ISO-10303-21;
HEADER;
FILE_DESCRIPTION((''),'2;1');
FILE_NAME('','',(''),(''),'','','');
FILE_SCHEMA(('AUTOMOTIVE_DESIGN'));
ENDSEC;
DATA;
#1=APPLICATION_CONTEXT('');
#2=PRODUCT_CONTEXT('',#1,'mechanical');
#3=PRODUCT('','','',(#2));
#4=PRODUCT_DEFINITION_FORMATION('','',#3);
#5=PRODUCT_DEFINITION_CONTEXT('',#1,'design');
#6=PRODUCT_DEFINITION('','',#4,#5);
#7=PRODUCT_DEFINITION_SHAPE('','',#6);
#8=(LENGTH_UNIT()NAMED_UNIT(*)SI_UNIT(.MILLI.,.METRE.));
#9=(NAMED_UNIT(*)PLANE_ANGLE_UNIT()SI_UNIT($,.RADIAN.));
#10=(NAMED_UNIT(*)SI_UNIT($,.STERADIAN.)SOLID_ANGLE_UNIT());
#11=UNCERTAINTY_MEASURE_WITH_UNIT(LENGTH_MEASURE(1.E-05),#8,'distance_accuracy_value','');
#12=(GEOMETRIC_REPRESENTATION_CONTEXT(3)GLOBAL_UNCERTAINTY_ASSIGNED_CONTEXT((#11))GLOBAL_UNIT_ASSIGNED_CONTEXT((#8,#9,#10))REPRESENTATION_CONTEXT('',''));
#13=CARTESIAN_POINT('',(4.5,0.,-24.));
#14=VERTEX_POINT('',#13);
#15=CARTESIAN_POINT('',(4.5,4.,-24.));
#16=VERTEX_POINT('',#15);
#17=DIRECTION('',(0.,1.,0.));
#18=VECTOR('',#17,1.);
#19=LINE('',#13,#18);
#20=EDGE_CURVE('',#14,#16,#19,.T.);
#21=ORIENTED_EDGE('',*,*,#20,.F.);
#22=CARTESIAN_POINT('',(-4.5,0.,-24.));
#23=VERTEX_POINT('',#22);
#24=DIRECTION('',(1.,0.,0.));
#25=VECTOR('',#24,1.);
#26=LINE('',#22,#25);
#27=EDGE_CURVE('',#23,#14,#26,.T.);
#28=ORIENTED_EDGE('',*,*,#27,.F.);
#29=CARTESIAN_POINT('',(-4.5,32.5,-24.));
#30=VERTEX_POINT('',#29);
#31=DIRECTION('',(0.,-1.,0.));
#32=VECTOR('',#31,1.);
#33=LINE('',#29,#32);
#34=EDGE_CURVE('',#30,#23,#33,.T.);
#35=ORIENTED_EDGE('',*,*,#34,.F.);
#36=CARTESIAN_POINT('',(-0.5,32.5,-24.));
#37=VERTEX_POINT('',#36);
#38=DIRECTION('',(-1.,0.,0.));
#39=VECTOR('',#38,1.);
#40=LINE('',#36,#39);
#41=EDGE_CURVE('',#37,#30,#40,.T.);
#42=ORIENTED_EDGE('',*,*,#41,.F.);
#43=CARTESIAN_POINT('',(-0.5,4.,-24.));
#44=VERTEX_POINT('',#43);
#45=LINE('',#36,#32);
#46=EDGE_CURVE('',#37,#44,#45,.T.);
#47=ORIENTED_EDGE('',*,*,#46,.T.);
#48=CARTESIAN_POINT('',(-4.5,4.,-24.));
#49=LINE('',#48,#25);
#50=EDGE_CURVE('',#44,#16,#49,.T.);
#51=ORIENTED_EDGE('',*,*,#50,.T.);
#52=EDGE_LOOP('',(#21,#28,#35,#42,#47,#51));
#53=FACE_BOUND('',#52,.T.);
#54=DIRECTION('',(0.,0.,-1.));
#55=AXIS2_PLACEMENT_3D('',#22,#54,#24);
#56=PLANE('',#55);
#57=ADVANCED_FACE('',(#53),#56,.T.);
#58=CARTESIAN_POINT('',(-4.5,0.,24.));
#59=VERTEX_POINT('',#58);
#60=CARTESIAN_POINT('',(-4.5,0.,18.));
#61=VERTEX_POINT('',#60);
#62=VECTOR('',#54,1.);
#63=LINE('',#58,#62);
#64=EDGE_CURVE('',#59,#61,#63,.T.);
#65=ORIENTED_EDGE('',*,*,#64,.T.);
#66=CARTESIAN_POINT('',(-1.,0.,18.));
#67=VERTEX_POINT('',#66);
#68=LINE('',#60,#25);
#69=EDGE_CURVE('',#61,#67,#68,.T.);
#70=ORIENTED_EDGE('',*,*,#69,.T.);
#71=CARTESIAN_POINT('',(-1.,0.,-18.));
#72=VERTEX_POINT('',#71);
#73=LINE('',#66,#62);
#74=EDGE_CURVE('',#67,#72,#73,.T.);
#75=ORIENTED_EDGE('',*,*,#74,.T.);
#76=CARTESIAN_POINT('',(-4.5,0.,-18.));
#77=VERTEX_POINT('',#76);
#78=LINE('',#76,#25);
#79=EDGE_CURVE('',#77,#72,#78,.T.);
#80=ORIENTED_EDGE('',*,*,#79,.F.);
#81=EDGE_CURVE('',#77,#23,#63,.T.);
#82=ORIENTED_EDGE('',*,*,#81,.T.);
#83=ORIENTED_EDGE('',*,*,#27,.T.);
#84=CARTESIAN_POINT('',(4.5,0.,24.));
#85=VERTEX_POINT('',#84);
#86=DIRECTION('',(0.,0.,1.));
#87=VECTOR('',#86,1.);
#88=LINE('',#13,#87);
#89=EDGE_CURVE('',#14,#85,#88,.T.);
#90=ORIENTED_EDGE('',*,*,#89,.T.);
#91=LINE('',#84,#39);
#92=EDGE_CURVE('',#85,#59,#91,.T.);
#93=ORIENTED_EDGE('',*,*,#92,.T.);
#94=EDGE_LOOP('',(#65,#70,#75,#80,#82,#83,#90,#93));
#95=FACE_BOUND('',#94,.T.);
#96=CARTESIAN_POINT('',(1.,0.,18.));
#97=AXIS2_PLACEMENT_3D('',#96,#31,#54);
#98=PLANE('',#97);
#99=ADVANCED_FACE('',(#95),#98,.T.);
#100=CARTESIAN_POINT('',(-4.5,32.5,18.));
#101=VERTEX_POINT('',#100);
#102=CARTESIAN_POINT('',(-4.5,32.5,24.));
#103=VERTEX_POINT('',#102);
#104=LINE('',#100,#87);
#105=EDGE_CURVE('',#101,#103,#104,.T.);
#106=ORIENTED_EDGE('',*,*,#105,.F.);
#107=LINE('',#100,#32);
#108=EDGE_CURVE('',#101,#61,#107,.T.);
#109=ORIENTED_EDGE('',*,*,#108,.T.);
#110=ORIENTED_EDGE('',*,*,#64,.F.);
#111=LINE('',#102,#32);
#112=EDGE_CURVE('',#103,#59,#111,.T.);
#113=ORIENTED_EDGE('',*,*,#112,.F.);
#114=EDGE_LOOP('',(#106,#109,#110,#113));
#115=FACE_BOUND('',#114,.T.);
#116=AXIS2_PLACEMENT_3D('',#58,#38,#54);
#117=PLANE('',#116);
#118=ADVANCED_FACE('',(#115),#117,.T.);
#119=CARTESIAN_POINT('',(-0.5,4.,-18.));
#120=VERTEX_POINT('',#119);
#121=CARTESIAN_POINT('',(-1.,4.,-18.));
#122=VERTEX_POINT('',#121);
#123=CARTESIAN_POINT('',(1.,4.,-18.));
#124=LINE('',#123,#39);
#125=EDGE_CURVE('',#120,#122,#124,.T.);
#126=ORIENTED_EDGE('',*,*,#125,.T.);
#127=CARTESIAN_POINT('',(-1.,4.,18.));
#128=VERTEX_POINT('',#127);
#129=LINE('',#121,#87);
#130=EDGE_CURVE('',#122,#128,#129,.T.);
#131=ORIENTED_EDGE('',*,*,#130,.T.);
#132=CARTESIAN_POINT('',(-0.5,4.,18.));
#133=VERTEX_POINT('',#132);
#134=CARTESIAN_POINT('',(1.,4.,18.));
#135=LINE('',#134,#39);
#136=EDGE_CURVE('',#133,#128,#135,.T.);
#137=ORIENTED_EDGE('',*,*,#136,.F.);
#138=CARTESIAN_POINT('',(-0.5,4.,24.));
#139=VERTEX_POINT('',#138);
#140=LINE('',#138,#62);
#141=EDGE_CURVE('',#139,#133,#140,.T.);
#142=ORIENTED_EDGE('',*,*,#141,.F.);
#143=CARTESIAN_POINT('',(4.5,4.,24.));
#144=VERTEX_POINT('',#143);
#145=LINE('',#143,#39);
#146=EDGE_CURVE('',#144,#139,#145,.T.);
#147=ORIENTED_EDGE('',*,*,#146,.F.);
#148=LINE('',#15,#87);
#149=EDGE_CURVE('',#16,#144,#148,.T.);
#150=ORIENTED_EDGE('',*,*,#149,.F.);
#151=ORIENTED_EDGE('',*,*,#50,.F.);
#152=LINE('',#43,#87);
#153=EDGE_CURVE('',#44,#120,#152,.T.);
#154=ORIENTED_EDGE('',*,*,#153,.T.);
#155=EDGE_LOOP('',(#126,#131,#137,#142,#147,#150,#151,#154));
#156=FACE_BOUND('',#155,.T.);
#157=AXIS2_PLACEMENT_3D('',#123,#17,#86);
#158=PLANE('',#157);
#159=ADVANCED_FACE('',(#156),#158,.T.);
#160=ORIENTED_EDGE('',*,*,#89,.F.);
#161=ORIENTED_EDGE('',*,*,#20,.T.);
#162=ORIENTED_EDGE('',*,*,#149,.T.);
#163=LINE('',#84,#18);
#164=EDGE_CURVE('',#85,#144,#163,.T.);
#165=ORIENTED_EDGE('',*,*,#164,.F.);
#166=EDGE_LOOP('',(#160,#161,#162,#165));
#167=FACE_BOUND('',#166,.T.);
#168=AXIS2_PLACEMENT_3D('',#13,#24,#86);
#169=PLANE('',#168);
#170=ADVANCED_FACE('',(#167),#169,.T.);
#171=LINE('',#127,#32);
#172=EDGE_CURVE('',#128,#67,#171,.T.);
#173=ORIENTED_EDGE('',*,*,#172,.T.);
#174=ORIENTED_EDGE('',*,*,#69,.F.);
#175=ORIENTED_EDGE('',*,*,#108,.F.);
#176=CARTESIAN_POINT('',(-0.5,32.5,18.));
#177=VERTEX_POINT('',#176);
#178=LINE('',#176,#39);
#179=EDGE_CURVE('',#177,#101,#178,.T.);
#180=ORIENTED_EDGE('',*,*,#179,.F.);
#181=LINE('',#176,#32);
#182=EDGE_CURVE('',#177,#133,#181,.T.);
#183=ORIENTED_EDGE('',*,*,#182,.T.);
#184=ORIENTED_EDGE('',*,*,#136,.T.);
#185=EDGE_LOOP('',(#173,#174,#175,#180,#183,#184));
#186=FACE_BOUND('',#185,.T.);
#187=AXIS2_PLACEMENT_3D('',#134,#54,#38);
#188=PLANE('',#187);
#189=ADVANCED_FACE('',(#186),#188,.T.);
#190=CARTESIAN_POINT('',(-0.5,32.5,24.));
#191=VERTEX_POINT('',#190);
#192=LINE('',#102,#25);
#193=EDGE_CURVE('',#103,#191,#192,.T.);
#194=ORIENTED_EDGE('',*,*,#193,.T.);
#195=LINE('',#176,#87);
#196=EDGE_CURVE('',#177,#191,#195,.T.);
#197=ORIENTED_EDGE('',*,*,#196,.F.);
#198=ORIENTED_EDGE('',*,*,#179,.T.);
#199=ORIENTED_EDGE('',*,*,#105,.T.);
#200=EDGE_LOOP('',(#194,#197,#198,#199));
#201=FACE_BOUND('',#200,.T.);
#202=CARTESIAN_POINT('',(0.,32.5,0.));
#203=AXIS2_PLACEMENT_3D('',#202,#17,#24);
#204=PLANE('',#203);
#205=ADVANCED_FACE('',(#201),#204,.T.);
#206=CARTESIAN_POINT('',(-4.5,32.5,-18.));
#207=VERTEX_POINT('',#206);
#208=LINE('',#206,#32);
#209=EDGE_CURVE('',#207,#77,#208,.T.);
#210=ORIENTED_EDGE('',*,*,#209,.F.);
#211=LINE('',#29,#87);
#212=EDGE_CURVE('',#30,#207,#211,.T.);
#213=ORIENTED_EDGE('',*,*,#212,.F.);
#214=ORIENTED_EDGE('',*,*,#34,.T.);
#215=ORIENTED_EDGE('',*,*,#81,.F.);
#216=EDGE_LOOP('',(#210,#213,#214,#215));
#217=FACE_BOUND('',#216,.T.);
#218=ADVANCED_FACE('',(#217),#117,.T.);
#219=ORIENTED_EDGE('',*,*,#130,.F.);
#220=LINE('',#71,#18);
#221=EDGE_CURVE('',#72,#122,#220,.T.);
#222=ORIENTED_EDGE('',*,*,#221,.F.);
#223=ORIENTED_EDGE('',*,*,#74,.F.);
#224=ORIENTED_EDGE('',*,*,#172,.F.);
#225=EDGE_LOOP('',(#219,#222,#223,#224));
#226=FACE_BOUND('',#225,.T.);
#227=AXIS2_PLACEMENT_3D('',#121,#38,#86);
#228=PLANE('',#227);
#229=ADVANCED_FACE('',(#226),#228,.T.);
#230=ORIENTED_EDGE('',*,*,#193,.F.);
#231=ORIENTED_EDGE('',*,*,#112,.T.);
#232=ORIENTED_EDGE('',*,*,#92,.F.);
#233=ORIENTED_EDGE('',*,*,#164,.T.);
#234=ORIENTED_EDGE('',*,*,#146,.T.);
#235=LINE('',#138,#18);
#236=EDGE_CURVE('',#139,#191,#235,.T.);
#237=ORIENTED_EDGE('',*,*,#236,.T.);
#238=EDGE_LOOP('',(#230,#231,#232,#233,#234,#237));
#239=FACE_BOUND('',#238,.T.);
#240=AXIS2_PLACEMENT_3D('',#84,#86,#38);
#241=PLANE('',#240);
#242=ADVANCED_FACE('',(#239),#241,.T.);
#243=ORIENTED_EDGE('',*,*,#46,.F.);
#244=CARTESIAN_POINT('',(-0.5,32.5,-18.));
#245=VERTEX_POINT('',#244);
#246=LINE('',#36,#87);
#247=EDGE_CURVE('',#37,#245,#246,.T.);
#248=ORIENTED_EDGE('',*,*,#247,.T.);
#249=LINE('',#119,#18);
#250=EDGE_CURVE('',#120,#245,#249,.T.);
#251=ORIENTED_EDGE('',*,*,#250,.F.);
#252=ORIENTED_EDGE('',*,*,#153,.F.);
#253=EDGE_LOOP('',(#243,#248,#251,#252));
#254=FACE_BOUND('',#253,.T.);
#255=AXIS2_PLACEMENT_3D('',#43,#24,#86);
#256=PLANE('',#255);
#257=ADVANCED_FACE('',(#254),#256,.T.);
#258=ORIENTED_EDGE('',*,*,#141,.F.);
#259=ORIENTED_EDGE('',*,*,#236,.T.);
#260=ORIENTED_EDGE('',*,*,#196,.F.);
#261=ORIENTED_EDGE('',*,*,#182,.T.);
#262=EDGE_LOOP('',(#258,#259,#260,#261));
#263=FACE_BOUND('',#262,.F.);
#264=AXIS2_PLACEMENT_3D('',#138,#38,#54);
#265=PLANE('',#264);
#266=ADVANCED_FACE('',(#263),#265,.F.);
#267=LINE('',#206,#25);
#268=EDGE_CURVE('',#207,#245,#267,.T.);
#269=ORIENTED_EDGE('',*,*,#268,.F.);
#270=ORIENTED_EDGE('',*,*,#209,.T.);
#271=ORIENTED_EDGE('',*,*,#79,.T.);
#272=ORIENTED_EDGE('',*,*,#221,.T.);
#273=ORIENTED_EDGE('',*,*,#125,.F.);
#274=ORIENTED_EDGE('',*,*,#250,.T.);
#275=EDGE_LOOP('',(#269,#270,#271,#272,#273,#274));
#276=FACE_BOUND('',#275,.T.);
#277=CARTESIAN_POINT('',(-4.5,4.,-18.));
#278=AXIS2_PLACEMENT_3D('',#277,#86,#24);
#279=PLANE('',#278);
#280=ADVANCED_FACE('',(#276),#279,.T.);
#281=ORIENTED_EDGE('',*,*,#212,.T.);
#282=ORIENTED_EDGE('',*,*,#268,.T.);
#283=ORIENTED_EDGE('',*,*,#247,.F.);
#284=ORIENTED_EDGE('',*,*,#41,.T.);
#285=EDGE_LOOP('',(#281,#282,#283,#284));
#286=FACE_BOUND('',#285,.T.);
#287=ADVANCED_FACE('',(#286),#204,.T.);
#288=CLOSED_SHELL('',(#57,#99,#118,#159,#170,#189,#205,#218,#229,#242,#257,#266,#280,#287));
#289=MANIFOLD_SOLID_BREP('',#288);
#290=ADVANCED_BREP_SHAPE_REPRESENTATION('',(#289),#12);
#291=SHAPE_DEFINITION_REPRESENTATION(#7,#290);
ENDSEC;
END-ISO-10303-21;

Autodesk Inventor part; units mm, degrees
ref_plane "YZ Plane" through (0, 0, 0) normal (1, 0, 0) x (0, 1, 0)
ref_plane "XZ Plane" through (0, 0, 0) normal (0, 1, 0) x (-1, 0, 0)
ref_plane "XY Plane" through (0, 0, 0) normal (0, 0, 1) x (1, 0, 0)
sketch "Sketch1" plane through (0, 0, 0) normal (0, 1, 0) x (-1, 0, 0)
  line L0 (-4.5, 24) -> (4.5, 24)
  line L1 (4.5, 24) -> (4.5, -24)
  line L2 (4.5, -24) -> (-4.5, -24)
  line L3 (-4.5, -24) -> (-4.5, 24)
  line L4 (-4.5, 24) -> (4.5, -24) construction
  line L5 (4.5, 24) -> (-4.5, -24) construction
  point P0 (0, 0)
  dimension "d0" = 9
  dimension "d1" = 48
extrude "Extrusion1" add sketch "Sketch1" along normal blind 4
sketch "Sketch2" plane through (0, 4, 0) normal (0, 1, 0) x (1, 0, 0)
  line L0 (4.5, 24) -> (-4.5, 24) projected
  line L1 (-4.5, 24) -> (-0.5, 24)
  line L2 (-0.5, 24) -> (-0.5, 18)
  line L3 (-0.5, 18) -> (-4.5, 18)
  line L4 (-4.5, 18) -> (-4.5, 24)
  line L5 (-4.5, -24) -> (4.5, -24) projected
  line L6 (-4.5, -24) -> (-0.5, -24)
  line L7 (-0.5, -24) -> (-0.5, -18)
  line L8 (-0.5, -18) -> (-4.5, -18)
  line L9 (-4.5, -18) -> (-4.5, -24)
  point P0 (0, 0)
  dimension "d4" = 4
  dimension "d5" = 6
  dimension "d6" = 4
  dimension "d7" = 6
extrude "Extrusion2" add sketch "Sketch2" along normal blind 24.5
sketch "Sketch3" plane through (0, 4, 0) normal (0, 1, 0) x (1, 0, 0)
  point P0 (0, 0)
sketch "Sketch4" plane through (0, 4, 0) normal (0, 1, 0) x (1, 0, 0)
  line L0 (-4.5, 18) -> (1, 18)
  line L1 (1, 18) -> (1, -18)
  line L2 (1, -18) -> (-4.5, -18)
  line L3 (-4.5, -18) -> (-4.5, 18)
  line L4 (-4.5, 18) -> (-4.5, -18) projected
  line L5 (-4.5, -18) -> (-0.5, -18) projected
  point P0 (0, 0)
  dimension "d10" = 5.5
  dimension "d11" = 36
extrude "Extrusion3" cut sketch "Sketch4" against normal blind 4
sketch "Sketch5" plane through (1, 4, -18) normal (-1, 0, 0) x (0, 0, 1)
  line L0 (36, -4) -> (0, -4)
  line L1 (0, -4) -> (0, 0)
  line L2 (0, 0) -> (36, 0)
  line L3 (36, 0) -> (36, -4)
  line L4 (0, 0) -> (36, 0) projected
  line L5 (0, 0) -> (0, -4) projected
  point P0 (18, -4)
  dimension "d14" = 36
  dimension "d15" = 4
extrude "Extrusion4" add sketch "Sketch5" along normal blind 2
sketch "Sketch6" plane through (0, 28.5, 0) normal (0, 1, 0) x (1, 0, 0)
  point P0 (0, 0)
sketch "Sketch7" plane through (0, 28.5, 0) normal (0, 1, 0) x (1, 0, 0)
  line L0 (-4.5, -18) -> (-4.5, -24) projected
  line L1 (-0.5, -18) -> (-0.5, -24) projected
  line L2 (-4.5, -24) -> (-0.5, -24)
  line L3 (-0.5, -24) -> (-0.5, -18)
  line L4 (-0.5, -18) -> (-4.5, -18)
  line L5 (-4.5, -18) -> (-4.5, -24)
  line L6 (-4.5, 24) -> (-4.5, 18) projected
  line L7 (-0.5, 24) -> (-0.5, 18) projected
  line L8 (-4.5, 18) -> (-0.5, 18)
  line L9 (-0.5, 18) -> (-0.5, 24)
  line L10 (-0.5, 24) -> (-4.5, 24)
  line L11 (-4.5, 24) -> (-4.5, 18)
  point P0 (0, 0)
extrude "Extrusion5" add sketch "Sketch7" along normal blind 4
properties part number "roof4"
